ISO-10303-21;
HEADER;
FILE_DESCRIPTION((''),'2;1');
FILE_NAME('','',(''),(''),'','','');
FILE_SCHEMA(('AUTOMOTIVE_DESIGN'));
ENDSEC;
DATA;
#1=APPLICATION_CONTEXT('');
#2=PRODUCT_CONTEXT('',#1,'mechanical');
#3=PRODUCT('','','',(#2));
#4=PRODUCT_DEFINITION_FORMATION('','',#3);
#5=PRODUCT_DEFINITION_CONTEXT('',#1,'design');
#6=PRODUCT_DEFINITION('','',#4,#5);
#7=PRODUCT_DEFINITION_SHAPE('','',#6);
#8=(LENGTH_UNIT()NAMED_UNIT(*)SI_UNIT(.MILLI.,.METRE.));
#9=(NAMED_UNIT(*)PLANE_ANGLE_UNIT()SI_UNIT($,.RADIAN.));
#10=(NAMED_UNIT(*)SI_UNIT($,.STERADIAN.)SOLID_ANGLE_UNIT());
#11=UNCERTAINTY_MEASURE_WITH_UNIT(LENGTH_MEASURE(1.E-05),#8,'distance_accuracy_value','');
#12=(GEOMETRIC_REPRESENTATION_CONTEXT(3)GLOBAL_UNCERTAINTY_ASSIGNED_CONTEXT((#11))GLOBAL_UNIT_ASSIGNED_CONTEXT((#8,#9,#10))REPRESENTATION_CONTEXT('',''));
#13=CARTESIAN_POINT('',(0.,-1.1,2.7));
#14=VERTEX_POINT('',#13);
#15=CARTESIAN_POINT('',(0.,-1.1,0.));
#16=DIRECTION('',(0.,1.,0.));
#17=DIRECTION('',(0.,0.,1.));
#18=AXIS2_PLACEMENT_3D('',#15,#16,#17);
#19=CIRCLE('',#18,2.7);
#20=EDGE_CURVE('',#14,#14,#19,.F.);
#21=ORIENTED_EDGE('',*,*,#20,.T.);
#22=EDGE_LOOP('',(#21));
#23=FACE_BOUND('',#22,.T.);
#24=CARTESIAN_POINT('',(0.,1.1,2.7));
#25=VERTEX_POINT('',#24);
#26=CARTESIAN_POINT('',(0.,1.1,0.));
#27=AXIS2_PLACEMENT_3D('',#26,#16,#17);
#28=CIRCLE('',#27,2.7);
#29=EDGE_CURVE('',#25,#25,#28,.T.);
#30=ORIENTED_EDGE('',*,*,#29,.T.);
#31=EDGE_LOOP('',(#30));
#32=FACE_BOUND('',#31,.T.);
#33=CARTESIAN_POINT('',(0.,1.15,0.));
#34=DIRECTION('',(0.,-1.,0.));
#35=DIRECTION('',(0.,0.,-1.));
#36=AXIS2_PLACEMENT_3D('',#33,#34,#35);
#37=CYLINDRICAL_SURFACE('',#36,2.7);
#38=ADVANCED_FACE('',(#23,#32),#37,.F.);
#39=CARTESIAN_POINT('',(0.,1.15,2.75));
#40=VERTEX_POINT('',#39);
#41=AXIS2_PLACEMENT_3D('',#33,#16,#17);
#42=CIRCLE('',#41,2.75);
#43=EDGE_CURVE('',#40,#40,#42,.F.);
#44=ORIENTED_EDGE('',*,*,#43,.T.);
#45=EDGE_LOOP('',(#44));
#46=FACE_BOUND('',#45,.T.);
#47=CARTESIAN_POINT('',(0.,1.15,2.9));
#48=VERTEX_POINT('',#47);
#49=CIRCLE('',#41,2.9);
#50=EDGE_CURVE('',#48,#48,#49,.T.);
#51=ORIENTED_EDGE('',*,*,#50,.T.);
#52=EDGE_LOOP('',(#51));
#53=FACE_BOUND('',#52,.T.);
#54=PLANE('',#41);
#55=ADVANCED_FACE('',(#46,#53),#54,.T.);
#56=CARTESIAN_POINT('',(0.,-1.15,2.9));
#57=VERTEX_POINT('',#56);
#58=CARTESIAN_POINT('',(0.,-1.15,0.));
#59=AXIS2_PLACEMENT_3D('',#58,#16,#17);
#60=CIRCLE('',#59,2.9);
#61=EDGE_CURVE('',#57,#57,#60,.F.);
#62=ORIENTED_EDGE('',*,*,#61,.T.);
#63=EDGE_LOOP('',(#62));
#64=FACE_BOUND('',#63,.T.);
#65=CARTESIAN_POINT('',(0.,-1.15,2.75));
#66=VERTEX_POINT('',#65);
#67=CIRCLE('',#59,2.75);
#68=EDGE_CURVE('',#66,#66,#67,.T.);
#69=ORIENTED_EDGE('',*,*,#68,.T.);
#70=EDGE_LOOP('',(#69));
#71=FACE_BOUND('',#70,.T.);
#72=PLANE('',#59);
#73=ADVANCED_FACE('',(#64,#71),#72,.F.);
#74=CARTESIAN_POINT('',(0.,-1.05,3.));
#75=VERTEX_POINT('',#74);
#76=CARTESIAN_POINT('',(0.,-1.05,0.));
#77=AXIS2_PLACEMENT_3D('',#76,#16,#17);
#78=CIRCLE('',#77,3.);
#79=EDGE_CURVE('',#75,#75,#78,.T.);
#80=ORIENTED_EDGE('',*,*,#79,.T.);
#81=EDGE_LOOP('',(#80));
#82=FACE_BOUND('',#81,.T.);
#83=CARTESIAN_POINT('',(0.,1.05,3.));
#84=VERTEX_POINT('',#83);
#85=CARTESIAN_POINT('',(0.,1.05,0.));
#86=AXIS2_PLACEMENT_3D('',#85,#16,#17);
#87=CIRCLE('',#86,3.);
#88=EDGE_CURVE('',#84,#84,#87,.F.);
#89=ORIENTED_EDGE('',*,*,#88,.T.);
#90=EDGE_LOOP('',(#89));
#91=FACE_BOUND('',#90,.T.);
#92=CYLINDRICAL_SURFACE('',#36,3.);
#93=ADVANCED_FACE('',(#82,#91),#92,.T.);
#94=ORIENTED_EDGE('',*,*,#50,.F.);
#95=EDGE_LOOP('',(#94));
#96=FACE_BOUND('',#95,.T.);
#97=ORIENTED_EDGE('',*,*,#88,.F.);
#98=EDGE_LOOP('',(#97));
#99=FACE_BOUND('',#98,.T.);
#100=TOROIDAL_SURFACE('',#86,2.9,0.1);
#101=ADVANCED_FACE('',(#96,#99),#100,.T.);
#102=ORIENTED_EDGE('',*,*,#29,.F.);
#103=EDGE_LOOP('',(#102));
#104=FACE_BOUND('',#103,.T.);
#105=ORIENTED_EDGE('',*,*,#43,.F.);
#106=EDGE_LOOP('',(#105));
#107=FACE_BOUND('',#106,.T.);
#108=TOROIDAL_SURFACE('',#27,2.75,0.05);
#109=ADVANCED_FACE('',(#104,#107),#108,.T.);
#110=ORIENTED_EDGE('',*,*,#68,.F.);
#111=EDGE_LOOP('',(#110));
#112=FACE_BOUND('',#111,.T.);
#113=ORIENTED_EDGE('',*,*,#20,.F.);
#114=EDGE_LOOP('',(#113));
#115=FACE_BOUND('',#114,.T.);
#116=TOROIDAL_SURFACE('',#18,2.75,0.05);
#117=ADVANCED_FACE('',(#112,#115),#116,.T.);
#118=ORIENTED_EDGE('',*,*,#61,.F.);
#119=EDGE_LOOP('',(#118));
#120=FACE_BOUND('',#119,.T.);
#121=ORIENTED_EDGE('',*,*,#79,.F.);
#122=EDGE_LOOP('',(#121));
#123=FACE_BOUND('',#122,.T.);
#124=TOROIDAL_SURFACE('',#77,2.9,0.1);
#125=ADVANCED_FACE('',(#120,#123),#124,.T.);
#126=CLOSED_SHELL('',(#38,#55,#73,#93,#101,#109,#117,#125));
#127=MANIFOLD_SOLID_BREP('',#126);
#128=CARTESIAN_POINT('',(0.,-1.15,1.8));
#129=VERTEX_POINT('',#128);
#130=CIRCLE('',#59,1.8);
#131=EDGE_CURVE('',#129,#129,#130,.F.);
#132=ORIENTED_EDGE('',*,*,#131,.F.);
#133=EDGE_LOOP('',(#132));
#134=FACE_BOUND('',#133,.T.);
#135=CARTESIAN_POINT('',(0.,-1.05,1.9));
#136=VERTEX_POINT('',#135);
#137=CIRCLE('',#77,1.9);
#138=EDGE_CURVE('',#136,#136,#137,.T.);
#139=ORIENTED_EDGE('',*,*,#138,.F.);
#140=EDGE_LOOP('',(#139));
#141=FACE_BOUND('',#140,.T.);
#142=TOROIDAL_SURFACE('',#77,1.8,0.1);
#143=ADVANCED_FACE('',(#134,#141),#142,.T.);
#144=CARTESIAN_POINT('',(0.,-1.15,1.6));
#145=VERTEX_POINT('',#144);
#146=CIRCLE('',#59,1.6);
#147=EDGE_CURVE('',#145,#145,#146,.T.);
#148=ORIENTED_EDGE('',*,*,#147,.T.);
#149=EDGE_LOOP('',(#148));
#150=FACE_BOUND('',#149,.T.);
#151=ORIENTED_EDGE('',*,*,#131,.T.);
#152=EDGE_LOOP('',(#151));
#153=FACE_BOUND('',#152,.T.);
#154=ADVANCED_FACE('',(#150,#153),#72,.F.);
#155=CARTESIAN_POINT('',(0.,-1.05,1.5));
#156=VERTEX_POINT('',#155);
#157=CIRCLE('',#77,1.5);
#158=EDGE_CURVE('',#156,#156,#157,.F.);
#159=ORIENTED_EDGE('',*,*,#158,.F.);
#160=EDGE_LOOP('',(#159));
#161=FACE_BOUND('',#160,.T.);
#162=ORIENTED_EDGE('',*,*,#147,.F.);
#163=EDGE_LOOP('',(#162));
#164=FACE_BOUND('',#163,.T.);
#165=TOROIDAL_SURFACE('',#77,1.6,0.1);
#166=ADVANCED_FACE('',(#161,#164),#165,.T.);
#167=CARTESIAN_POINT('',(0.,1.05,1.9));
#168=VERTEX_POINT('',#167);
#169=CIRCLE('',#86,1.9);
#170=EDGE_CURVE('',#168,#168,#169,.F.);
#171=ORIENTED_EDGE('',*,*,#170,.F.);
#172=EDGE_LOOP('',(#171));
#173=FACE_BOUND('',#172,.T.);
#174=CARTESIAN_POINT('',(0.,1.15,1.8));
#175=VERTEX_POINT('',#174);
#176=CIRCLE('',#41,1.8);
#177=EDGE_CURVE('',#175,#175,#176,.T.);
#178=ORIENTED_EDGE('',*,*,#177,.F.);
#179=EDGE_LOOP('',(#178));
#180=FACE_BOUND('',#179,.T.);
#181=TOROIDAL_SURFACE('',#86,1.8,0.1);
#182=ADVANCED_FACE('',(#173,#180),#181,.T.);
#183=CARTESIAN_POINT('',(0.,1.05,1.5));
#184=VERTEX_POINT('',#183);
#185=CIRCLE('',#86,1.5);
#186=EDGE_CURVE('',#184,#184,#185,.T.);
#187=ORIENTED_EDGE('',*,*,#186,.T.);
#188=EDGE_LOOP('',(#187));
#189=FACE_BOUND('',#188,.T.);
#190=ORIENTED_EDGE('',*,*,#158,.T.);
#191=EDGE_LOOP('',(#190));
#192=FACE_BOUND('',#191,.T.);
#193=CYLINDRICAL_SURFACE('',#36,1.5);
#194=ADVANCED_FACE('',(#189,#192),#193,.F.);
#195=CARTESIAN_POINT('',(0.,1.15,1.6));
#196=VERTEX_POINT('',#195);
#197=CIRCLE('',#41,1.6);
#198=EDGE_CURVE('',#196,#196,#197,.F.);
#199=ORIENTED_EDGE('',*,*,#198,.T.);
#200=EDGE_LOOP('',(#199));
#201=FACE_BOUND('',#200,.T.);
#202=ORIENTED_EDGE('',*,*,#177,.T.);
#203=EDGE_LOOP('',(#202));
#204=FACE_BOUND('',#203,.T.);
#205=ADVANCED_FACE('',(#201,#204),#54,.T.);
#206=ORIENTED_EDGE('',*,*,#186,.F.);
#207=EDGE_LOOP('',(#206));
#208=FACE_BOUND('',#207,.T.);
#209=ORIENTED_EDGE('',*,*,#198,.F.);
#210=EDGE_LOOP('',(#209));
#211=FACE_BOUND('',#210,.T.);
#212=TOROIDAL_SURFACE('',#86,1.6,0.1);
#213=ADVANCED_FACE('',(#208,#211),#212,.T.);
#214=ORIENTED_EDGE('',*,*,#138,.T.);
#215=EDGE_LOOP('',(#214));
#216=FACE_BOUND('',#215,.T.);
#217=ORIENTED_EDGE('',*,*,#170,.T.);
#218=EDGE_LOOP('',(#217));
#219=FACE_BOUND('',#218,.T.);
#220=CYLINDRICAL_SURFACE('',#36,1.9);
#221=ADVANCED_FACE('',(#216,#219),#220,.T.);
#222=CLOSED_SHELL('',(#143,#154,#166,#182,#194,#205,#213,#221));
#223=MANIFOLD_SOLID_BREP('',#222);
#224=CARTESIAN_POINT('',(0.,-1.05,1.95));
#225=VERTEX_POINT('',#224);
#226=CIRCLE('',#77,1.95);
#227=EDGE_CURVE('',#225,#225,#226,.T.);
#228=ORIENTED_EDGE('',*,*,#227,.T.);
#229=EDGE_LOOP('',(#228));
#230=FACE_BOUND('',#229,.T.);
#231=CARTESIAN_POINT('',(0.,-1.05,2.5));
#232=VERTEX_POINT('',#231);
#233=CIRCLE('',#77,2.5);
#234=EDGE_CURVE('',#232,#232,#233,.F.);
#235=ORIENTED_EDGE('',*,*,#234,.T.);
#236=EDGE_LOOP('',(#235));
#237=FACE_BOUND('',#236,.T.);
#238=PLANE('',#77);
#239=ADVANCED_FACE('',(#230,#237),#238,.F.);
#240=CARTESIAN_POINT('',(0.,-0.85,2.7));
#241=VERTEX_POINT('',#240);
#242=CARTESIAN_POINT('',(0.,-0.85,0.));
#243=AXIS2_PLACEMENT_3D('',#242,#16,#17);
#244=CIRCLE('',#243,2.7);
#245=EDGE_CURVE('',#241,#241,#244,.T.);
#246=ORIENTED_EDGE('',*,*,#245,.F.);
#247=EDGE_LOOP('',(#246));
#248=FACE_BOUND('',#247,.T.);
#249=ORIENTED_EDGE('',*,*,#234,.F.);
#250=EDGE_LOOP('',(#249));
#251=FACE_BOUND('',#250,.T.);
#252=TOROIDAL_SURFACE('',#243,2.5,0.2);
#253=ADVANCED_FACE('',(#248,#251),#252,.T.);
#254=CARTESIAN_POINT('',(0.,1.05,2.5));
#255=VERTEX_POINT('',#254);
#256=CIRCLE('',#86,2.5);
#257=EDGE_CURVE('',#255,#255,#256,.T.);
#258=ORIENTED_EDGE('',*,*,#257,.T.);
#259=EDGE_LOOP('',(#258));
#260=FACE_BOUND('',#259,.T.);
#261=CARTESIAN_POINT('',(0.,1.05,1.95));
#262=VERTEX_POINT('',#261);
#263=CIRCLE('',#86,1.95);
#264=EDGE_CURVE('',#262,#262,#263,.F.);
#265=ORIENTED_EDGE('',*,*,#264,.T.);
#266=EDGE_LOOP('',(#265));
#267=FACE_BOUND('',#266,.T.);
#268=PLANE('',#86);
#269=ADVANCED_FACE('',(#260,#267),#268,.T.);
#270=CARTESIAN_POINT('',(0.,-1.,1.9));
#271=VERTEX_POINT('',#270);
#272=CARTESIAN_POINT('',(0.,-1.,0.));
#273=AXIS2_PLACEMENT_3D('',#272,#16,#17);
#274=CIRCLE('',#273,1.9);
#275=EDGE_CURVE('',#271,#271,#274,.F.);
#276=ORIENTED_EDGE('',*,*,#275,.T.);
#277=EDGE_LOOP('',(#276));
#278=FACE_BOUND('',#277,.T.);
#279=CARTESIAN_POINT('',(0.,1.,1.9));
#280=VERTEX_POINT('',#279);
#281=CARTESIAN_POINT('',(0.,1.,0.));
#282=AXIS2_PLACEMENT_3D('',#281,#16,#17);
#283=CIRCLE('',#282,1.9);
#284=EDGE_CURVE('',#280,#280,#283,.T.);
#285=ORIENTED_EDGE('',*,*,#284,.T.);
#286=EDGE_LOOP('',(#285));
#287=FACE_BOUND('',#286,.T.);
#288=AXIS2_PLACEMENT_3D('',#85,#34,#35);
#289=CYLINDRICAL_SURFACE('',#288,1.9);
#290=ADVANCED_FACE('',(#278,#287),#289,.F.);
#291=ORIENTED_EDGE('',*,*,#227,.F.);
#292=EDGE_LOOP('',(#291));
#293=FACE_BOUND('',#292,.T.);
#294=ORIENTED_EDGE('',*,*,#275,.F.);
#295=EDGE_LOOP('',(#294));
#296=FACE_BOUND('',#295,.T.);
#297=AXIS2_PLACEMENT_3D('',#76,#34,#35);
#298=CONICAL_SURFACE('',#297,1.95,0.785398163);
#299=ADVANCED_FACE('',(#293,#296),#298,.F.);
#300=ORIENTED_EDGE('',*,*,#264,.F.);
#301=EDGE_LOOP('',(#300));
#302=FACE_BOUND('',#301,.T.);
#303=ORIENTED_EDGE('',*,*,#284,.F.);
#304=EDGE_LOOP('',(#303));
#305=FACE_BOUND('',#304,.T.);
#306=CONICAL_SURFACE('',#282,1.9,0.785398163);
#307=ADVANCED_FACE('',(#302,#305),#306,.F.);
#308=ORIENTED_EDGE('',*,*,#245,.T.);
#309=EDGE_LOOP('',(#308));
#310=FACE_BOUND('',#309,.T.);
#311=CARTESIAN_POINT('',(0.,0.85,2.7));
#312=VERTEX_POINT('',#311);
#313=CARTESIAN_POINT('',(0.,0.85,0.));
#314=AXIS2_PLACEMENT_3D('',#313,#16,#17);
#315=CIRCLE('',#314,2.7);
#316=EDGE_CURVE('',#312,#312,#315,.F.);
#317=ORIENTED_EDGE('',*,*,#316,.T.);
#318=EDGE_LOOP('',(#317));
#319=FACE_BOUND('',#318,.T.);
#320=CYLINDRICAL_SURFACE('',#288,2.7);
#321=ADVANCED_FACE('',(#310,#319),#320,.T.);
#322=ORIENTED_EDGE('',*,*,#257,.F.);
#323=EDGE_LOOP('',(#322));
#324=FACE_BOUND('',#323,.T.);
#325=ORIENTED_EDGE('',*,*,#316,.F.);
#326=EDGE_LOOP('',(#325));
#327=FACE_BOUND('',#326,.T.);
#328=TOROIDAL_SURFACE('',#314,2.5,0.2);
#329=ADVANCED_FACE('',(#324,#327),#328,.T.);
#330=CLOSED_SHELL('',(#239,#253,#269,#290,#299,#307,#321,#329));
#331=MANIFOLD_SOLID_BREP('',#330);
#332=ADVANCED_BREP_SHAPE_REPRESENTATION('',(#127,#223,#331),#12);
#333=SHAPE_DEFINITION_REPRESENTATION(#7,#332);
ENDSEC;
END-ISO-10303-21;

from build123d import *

# Parameters (mm, degrees)
SKETCH2_R           = 1.9
SKETCH2_R_2         = 1.5
BOSS_EXTRUDE1_DEPTH = 1.15
SKETCH4_R           = 3
SKETCH4_R_2         = 2.7
BOSS_EXTRUDE2_DEPTH = 1.15
FILLET1_R           = 0.1
FILLET2_R           = 0.1
FILLET3_R           = 0.05
SKETCH5_R           = 2.7
SKETCH5_R_2         = 1.9
BOSS_EXTRUDE3_DEPTH = 1.05
FILLET4_R           = 0.2
CHAMFER1_SIZE       = 0.05


with BuildPart() as part:
    # Sketch2 → Boss-Extrude1 (new, symmetric)
    with BuildSketch(Plane(origin=(0, 0, 0), x_dir=(1, 0, 0), z_dir=(0, 1, 0))):
        with Locations(Location((0, 0, 0), (0, 0, 270))):
            Circle(SKETCH2_R)
        with Locations(Location((0, 0, 0), (0, 0, 270))):
            Circle(SKETCH2_R_2, mode=Mode.SUBTRACT)
    extrude(amount=BOSS_EXTRUDE1_DEPTH, both=True)

    # Fillet1
    fillet1_edges = [part.edges().sort_by_distance(p)[0] for p in [
        (0, -1.15, -1.9),
        (0, 1.15, -1.9),
        (0, -1.15, -1.5),
        (0, 1.15, -1.5),
    ]]
    fillet(fillet1_edges, radius=FILLET1_R)


with BuildPart() as body_2:
    # Sketch4 → Boss-Extrude2 (new, symmetric)
    with BuildSketch(Plane(origin=(0, 0, 0), x_dir=(1, 0, 0), z_dir=(0, 1, 0))):
        with Locations(Location((0, 0, 0), (0, 0, 270))):
            Circle(SKETCH4_R)
        with Locations(Location((0, 0, 0), (0, 0, 270))):
            Circle(SKETCH4_R_2, mode=Mode.SUBTRACT)
    extrude(amount=BOSS_EXTRUDE2_DEPTH, both=True)

    # Fillet2
    fillet2_edges = [body_2.edges().sort_by_distance(p)[0] for p in [
        (0, -1.15, -3),
        (0, 1.15, -3),
    ]]
    fillet(fillet2_edges, radius=FILLET2_R)

    # Fillet3
    fillet3_edges = [body_2.edges().sort_by_distance(p)[0] for p in [
        (0, -1.15, -2.7),
        (0, 1.15, -2.7),
    ]]
    fillet(fillet3_edges, radius=FILLET3_R)


with BuildPart() as body_3:
    # Sketch5 → Boss-Extrude3 (new, symmetric)
    with BuildSketch(Plane(origin=(0, 0, 0), x_dir=(1, 0, 0), z_dir=(0, 1, 0))):
        with Locations(Location((0, 0, 0), (0, 0, 270))):
            Circle(SKETCH5_R)
        with Locations(Location((0, 0, 0), (0, 0, 270))):
            Circle(SKETCH5_R_2, mode=Mode.SUBTRACT)
    extrude(amount=BOSS_EXTRUDE3_DEPTH, both=True)

    # Fillet4
    fillet4_edges = [body_3.edges().sort_by_distance(p)[0] for p in [
        (0, -1.05, -2.7),
        (0, 1.05, -2.7),
    ]]
    fillet(fillet4_edges, radius=FILLET4_R)

    # Chamfer1
    chamfer1_edges = [body_3.edges().sort_by_distance(p)[0] for p in [
        (0, -1.05, -1.9),
        (0, 1.05, -1.9),
    ]]
    chamfer(chamfer1_edges, length=CHAMFER1_SIZE)


solid = Compound([part.part, body_2.part, body_3.part])
